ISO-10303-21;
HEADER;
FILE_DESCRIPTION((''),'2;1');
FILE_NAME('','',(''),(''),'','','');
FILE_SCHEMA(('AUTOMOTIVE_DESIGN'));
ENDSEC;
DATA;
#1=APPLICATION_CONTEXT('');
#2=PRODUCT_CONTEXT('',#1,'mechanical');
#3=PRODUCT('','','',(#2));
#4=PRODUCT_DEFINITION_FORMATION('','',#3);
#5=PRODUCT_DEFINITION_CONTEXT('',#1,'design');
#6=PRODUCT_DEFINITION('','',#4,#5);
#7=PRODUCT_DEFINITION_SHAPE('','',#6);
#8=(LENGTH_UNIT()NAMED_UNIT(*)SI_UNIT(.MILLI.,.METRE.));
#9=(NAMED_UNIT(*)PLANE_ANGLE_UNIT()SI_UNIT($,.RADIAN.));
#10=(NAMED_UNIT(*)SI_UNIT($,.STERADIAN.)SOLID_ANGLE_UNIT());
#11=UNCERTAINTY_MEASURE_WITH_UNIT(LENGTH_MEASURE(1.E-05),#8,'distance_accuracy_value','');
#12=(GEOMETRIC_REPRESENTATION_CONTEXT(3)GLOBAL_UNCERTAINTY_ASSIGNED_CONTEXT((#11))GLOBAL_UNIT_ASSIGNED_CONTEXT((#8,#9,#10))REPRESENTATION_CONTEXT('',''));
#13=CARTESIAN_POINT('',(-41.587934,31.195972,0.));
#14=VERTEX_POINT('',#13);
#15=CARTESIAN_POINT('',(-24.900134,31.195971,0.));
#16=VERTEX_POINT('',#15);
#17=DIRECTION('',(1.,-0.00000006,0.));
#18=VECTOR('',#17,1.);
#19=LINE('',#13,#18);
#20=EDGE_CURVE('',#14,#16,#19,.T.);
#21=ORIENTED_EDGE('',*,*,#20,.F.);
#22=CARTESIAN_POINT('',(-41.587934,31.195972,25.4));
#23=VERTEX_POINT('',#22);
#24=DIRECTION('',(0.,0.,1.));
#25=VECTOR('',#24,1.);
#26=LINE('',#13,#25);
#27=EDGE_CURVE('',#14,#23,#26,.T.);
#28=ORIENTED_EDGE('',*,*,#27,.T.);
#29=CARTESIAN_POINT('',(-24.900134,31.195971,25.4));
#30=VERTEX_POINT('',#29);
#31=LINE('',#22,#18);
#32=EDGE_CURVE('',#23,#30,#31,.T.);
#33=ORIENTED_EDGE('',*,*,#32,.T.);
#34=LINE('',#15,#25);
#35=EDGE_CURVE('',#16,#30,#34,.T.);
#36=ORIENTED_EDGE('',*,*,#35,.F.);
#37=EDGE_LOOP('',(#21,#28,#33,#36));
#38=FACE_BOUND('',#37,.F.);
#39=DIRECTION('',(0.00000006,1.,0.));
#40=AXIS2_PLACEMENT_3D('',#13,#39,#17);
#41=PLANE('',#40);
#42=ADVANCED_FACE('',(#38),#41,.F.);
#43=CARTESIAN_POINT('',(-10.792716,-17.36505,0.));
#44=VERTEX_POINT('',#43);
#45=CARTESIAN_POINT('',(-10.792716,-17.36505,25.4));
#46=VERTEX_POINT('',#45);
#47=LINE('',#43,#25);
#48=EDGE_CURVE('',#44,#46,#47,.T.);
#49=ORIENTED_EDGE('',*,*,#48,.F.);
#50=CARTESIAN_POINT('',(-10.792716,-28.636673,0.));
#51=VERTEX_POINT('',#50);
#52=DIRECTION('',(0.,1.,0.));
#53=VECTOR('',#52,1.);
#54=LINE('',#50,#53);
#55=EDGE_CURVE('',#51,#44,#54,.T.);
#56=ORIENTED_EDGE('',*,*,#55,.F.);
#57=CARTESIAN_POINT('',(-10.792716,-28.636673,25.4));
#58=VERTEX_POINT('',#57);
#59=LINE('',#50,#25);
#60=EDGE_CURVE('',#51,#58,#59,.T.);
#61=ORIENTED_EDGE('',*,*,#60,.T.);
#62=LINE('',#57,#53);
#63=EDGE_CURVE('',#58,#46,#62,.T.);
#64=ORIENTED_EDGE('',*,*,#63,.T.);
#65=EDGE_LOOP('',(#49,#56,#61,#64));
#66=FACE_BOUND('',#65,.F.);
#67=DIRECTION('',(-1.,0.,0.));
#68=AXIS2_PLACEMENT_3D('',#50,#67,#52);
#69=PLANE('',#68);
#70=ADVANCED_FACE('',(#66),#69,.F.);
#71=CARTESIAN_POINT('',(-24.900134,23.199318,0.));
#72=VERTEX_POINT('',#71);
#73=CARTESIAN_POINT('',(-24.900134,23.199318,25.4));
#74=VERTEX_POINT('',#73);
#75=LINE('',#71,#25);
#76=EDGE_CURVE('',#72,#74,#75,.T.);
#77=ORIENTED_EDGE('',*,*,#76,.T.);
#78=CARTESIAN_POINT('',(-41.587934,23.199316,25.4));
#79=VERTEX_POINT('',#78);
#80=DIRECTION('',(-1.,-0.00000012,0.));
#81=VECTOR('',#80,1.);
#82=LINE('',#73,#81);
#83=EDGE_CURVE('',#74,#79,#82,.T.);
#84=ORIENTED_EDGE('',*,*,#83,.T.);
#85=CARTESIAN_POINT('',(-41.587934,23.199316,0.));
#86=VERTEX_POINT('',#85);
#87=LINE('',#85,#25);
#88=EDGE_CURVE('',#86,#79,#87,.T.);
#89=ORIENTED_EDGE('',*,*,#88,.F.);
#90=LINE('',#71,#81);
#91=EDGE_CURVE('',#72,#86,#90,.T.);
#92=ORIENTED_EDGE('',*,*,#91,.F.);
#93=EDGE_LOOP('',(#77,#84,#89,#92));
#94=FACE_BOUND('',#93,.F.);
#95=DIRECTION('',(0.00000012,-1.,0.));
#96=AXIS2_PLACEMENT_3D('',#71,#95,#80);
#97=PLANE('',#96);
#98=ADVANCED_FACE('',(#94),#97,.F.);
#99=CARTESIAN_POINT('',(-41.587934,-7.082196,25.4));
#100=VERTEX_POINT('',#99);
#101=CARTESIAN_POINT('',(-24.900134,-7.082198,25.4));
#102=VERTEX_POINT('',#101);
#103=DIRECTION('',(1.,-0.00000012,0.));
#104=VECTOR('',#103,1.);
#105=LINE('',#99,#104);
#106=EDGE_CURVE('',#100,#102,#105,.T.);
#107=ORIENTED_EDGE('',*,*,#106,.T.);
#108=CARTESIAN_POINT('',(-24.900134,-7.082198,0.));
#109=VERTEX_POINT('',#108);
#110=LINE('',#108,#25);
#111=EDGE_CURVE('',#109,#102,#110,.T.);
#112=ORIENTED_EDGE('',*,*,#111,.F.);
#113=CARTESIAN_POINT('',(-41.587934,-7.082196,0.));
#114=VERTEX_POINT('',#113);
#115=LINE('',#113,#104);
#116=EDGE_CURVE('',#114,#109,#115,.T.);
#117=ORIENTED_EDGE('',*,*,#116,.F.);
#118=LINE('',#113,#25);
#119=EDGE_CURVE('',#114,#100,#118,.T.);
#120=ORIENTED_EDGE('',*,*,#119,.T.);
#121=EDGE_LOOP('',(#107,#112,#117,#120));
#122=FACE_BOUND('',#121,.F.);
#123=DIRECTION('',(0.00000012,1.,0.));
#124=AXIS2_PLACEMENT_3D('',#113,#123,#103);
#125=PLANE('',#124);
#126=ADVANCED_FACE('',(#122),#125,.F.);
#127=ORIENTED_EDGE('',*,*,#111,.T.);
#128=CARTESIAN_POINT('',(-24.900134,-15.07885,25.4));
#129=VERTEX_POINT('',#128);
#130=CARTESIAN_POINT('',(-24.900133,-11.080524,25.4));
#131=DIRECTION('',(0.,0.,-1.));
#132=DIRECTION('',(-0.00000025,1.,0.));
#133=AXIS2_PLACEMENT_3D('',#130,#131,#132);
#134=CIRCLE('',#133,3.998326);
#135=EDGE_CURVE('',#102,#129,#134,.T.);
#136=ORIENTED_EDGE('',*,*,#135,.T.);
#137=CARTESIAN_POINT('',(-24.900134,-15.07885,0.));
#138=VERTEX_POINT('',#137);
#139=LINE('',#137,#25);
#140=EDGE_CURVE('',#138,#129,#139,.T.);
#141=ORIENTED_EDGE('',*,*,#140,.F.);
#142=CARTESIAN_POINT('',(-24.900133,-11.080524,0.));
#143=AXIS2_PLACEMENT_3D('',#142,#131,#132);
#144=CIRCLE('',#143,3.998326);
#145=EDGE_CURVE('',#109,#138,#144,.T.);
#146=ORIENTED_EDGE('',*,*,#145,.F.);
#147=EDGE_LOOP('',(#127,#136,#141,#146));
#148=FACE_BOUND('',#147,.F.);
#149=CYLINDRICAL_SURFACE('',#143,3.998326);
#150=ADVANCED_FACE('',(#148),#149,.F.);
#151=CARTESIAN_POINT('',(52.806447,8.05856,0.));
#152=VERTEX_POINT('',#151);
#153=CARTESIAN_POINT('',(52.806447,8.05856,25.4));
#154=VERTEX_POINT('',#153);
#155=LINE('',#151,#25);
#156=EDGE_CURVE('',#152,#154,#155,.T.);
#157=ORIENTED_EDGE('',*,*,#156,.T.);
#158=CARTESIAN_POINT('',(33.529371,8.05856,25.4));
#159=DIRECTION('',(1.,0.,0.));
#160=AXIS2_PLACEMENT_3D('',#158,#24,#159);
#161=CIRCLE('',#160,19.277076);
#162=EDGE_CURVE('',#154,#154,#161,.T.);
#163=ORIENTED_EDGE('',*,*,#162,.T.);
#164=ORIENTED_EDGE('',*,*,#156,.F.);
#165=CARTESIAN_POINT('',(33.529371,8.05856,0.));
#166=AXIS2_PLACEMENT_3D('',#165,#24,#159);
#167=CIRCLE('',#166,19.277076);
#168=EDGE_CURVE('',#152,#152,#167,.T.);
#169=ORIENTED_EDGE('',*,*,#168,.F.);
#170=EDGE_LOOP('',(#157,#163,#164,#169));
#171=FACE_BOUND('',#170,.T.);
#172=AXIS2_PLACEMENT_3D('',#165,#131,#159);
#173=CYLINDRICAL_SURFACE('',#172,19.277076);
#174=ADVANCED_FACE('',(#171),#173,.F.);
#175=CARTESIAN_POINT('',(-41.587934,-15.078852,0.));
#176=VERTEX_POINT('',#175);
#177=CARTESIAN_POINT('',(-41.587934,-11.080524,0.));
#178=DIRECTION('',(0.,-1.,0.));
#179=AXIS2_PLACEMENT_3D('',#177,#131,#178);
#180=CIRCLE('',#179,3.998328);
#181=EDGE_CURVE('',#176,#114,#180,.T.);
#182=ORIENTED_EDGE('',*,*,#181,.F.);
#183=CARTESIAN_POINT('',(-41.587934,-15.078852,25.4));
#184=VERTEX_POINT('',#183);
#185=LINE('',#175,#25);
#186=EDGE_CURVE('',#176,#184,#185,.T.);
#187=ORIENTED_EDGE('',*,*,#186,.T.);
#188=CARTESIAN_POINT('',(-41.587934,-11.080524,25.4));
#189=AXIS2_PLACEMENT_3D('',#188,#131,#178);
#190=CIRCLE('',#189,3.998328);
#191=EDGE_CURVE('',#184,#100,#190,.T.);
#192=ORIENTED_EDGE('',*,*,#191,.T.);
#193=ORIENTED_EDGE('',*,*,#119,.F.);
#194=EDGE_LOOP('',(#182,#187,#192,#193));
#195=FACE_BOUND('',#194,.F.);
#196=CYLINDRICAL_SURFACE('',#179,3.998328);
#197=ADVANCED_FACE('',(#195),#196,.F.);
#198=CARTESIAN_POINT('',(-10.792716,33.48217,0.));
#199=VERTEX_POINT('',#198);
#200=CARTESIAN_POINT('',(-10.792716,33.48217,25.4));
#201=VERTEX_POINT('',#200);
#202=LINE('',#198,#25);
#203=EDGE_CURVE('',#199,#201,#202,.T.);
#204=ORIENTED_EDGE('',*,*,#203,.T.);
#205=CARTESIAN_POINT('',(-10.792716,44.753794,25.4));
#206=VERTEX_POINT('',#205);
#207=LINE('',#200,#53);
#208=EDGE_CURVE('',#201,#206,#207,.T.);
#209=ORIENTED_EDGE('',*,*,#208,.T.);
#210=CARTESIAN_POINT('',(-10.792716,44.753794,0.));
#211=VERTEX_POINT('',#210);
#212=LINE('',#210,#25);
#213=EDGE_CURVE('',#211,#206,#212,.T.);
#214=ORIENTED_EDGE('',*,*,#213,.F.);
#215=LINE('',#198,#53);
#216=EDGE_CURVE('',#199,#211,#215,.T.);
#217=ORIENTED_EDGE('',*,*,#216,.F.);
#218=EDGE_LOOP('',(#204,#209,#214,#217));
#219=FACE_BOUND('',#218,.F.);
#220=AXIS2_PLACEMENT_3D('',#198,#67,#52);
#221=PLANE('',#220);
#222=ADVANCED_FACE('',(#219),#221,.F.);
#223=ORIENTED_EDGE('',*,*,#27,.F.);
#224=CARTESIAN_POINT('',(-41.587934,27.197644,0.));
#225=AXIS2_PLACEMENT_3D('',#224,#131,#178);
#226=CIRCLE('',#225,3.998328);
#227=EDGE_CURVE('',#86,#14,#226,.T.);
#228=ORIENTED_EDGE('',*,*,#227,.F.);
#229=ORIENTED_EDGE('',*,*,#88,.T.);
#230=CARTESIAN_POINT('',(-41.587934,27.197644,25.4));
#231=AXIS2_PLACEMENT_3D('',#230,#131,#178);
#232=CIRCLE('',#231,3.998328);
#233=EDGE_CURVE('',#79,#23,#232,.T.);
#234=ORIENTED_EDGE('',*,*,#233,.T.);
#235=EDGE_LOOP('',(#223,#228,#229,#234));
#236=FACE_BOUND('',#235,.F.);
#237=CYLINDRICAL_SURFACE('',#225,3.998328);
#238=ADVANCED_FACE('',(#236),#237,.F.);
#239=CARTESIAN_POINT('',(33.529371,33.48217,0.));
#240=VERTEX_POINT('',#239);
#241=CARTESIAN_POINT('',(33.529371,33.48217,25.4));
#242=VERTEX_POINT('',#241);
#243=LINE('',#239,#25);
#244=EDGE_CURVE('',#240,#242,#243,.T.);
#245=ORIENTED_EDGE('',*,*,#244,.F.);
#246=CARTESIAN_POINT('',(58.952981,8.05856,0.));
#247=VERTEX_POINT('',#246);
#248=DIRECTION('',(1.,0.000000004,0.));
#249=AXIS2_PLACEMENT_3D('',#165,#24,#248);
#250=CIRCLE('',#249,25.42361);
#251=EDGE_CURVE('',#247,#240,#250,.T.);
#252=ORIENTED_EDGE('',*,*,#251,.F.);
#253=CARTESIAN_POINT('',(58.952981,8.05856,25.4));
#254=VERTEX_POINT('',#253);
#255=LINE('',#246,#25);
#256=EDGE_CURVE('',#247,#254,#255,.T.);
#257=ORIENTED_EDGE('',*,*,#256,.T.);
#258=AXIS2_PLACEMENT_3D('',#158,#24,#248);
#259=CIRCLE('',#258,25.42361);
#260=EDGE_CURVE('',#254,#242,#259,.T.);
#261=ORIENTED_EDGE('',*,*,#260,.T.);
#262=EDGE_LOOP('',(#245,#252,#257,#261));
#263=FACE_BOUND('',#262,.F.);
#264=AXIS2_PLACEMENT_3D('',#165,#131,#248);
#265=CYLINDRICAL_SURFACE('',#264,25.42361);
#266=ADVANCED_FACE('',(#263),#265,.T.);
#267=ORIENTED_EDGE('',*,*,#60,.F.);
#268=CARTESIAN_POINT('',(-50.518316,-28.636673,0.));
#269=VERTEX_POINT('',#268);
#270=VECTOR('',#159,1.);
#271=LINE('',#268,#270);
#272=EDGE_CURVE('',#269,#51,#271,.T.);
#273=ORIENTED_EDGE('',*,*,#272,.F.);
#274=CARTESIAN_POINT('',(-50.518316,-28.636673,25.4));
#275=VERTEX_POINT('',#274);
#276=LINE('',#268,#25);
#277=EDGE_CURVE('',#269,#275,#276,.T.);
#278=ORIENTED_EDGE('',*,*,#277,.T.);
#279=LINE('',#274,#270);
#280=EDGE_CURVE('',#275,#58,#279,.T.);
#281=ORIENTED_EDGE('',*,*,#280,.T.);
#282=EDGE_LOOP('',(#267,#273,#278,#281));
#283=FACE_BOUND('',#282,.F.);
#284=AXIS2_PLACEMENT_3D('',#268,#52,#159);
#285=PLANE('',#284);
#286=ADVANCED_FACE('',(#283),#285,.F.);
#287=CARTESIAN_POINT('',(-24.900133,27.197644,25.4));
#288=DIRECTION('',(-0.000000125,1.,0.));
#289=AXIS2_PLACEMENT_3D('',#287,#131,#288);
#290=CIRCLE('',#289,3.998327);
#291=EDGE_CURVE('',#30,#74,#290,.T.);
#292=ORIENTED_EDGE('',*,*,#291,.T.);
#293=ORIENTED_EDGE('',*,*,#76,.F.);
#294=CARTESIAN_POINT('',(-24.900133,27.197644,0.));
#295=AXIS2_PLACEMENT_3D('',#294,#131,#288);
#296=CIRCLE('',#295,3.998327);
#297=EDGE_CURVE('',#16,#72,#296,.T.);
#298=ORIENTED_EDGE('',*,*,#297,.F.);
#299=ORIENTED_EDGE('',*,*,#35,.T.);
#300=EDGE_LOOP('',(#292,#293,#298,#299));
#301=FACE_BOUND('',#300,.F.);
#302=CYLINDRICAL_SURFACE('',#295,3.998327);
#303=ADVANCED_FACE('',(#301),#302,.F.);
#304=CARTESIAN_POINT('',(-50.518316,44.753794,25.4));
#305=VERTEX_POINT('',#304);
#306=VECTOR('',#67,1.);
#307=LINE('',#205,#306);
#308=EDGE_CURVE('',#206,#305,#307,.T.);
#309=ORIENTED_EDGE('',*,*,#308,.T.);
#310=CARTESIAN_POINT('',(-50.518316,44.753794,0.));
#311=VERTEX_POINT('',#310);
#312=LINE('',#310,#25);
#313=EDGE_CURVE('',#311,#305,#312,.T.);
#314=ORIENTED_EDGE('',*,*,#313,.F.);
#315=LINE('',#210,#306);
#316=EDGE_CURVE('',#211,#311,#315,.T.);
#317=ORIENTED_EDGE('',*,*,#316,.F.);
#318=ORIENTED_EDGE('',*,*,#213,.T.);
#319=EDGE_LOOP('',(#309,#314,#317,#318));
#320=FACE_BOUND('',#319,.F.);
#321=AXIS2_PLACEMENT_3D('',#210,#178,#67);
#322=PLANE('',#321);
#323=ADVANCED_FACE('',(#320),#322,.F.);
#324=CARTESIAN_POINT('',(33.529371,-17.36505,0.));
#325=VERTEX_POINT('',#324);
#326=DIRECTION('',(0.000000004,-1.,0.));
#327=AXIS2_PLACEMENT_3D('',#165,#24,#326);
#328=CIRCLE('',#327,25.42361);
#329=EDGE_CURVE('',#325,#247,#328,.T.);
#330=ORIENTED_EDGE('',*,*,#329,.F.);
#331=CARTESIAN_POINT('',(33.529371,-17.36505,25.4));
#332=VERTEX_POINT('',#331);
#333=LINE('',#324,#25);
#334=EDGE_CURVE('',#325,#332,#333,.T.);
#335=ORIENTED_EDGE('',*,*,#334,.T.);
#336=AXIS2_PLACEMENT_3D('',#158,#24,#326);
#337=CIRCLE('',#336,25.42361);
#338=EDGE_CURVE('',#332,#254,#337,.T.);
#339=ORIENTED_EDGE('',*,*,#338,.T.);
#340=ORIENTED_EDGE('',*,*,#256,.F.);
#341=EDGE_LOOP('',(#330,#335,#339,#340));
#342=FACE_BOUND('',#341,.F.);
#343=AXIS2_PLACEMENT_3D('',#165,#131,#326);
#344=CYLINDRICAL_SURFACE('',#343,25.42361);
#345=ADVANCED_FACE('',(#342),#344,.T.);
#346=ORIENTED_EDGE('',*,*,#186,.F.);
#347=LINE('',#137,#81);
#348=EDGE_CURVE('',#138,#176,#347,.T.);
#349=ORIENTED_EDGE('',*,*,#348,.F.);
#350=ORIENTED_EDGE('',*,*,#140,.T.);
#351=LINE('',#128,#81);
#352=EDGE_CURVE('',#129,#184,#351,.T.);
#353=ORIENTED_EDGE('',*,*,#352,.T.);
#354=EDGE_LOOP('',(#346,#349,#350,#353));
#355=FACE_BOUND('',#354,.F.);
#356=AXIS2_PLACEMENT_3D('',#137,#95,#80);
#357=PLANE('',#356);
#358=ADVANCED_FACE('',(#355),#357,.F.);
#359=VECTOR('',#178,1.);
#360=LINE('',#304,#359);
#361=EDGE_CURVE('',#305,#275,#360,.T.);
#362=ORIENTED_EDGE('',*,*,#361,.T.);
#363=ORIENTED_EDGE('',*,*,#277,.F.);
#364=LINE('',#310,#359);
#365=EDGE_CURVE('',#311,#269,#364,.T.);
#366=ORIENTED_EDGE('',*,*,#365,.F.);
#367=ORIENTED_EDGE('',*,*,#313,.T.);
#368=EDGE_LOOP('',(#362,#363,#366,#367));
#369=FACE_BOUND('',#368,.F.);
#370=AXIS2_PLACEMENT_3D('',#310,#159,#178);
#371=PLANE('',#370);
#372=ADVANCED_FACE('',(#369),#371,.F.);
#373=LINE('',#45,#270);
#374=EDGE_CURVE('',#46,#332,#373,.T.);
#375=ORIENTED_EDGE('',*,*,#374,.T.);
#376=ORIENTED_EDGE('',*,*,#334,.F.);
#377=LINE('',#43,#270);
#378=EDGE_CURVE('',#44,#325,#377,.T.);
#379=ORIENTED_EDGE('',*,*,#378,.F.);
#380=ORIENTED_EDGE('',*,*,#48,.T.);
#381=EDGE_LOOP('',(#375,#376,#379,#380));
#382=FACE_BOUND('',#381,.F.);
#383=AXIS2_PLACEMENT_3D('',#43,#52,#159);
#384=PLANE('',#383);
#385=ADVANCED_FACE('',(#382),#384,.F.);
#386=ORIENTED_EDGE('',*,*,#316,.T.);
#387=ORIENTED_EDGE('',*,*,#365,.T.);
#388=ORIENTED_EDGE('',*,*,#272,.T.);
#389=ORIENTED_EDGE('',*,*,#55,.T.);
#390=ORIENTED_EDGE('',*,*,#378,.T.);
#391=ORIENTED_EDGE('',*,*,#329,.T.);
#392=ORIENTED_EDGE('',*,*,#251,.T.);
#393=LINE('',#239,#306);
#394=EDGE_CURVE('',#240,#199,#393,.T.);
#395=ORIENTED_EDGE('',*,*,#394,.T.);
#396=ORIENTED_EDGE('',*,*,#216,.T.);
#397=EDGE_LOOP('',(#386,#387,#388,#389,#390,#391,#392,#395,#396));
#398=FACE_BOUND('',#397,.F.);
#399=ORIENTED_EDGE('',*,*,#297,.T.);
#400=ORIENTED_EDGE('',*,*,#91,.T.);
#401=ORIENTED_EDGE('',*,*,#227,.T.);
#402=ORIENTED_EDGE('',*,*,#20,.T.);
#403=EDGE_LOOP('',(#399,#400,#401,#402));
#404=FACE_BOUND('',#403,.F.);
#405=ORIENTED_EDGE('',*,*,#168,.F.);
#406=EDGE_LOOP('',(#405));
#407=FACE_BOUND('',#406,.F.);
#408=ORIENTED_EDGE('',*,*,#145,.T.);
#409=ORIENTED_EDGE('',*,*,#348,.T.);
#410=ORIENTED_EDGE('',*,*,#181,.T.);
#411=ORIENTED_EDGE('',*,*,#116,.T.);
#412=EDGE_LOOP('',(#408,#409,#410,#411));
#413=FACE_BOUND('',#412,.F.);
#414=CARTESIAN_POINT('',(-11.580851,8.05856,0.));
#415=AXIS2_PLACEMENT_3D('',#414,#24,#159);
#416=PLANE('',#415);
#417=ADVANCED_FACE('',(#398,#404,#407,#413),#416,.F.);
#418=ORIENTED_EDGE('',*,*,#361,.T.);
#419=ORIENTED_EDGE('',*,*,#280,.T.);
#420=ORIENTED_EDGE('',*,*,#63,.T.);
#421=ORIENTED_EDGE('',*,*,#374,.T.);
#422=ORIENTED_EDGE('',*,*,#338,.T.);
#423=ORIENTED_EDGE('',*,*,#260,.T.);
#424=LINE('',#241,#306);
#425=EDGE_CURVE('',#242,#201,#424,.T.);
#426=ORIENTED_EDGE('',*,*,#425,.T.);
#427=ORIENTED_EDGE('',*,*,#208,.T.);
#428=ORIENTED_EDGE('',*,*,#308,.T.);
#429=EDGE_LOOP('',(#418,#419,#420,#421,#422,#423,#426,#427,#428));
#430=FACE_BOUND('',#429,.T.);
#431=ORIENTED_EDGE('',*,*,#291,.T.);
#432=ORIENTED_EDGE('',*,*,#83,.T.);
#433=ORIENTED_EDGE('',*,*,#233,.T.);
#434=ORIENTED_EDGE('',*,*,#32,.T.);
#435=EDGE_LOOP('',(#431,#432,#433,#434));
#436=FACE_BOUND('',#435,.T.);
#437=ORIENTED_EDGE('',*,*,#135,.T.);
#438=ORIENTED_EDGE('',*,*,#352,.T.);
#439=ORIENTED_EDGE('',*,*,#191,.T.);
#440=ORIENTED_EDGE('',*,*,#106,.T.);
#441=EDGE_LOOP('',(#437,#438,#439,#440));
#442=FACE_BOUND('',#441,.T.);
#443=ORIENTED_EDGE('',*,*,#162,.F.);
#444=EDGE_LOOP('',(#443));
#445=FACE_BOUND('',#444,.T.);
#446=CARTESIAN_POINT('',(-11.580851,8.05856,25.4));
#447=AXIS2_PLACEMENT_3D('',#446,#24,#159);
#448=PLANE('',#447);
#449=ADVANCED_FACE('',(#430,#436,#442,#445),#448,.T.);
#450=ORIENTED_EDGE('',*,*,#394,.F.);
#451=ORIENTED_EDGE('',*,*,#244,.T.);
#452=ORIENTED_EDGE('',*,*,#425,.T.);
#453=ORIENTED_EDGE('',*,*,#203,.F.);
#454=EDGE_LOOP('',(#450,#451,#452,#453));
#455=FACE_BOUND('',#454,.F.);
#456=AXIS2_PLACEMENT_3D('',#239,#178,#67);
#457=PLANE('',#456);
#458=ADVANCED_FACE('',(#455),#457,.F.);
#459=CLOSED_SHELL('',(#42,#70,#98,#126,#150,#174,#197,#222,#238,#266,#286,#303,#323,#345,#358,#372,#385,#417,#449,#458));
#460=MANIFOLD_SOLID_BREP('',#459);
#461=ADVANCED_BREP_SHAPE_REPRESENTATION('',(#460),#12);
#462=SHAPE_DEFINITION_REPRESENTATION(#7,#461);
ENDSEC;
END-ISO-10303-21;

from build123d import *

# Parameters (mm, degrees)
F0_R     = 19.277076
F1_DEPTH = 25.4


with BuildPart() as f1:
    # F0 (on Top) → F1 (new body)
    with BuildSketch(Plane.XY):
        with BuildLine():
            Line((-10.792716, 44.753794), (-50.518316, 44.753794))
            Line((-50.518316, 44.753794), (-50.518316, -28.636673))
            Line((-50.518316, -28.636673), (-10.792716, -28.636673))
            Line((-10.792716, -28.636673), (-10.792716, -17.36505))
            Line((-10.792716, -17.36505), (33.529371, -17.36505))
            ThreePointArc((33.529371, -17.36505), (8.105761, 8.05856), (33.529371, 33.48217))
            Line((33.529371, 33.48217), (-10.792716, 33.48217))
            Line((-10.792716, 33.48217), (-10.792716, 44.753794))
        make_face()
        with BuildLine():
            Line((-24.900134, -15.07885), (-41.587934, -15.078852))
            ThreePointArc((-41.587934, -15.078852), (-45.586262, -11.080524), (-41.587934, -7.082196))
            Line((-41.587934, -7.082196), (-24.900134, -7.082198))
            ThreePointArc((-24.900134, -7.082198), (-20.901807, -11.080524), (-24.900134, -15.07885))
        make_face(mode=Mode.SUBTRACT)
        with BuildLine():
            ThreePointArc((-41.587934, 23.199316), (-45.586262, 27.197644), (-41.587934, 31.195972))
            Line((-41.587934, 31.195972), (-24.900134, 31.195971))
            ThreePointArc((-24.900134, 31.195971), (-20.901807, 27.197644), (-24.900134, 23.199318))
            Line((-24.900134, 23.199318), (-41.587934, 23.199316))
        make_face(mode=Mode.SUBTRACT)
        with BuildLine():
            ThreePointArc((58.952981, 8.05856), (51.506578, 26.035767), (33.529371, 33.48217))
            ThreePointArc((33.529371, 33.48217), (8.105761, 8.05856), (33.529371, -17.36505))
            ThreePointArc((33.529371, -17.36505), (51.506578, -9.918647), (58.952981, 8.05856))
        make_face()
        with Locations((33.529371, 8.05856)):
            Circle(F0_R, mode=Mode.SUBTRACT)
    extrude(amount=F1_DEPTH)


solid = f1.part
